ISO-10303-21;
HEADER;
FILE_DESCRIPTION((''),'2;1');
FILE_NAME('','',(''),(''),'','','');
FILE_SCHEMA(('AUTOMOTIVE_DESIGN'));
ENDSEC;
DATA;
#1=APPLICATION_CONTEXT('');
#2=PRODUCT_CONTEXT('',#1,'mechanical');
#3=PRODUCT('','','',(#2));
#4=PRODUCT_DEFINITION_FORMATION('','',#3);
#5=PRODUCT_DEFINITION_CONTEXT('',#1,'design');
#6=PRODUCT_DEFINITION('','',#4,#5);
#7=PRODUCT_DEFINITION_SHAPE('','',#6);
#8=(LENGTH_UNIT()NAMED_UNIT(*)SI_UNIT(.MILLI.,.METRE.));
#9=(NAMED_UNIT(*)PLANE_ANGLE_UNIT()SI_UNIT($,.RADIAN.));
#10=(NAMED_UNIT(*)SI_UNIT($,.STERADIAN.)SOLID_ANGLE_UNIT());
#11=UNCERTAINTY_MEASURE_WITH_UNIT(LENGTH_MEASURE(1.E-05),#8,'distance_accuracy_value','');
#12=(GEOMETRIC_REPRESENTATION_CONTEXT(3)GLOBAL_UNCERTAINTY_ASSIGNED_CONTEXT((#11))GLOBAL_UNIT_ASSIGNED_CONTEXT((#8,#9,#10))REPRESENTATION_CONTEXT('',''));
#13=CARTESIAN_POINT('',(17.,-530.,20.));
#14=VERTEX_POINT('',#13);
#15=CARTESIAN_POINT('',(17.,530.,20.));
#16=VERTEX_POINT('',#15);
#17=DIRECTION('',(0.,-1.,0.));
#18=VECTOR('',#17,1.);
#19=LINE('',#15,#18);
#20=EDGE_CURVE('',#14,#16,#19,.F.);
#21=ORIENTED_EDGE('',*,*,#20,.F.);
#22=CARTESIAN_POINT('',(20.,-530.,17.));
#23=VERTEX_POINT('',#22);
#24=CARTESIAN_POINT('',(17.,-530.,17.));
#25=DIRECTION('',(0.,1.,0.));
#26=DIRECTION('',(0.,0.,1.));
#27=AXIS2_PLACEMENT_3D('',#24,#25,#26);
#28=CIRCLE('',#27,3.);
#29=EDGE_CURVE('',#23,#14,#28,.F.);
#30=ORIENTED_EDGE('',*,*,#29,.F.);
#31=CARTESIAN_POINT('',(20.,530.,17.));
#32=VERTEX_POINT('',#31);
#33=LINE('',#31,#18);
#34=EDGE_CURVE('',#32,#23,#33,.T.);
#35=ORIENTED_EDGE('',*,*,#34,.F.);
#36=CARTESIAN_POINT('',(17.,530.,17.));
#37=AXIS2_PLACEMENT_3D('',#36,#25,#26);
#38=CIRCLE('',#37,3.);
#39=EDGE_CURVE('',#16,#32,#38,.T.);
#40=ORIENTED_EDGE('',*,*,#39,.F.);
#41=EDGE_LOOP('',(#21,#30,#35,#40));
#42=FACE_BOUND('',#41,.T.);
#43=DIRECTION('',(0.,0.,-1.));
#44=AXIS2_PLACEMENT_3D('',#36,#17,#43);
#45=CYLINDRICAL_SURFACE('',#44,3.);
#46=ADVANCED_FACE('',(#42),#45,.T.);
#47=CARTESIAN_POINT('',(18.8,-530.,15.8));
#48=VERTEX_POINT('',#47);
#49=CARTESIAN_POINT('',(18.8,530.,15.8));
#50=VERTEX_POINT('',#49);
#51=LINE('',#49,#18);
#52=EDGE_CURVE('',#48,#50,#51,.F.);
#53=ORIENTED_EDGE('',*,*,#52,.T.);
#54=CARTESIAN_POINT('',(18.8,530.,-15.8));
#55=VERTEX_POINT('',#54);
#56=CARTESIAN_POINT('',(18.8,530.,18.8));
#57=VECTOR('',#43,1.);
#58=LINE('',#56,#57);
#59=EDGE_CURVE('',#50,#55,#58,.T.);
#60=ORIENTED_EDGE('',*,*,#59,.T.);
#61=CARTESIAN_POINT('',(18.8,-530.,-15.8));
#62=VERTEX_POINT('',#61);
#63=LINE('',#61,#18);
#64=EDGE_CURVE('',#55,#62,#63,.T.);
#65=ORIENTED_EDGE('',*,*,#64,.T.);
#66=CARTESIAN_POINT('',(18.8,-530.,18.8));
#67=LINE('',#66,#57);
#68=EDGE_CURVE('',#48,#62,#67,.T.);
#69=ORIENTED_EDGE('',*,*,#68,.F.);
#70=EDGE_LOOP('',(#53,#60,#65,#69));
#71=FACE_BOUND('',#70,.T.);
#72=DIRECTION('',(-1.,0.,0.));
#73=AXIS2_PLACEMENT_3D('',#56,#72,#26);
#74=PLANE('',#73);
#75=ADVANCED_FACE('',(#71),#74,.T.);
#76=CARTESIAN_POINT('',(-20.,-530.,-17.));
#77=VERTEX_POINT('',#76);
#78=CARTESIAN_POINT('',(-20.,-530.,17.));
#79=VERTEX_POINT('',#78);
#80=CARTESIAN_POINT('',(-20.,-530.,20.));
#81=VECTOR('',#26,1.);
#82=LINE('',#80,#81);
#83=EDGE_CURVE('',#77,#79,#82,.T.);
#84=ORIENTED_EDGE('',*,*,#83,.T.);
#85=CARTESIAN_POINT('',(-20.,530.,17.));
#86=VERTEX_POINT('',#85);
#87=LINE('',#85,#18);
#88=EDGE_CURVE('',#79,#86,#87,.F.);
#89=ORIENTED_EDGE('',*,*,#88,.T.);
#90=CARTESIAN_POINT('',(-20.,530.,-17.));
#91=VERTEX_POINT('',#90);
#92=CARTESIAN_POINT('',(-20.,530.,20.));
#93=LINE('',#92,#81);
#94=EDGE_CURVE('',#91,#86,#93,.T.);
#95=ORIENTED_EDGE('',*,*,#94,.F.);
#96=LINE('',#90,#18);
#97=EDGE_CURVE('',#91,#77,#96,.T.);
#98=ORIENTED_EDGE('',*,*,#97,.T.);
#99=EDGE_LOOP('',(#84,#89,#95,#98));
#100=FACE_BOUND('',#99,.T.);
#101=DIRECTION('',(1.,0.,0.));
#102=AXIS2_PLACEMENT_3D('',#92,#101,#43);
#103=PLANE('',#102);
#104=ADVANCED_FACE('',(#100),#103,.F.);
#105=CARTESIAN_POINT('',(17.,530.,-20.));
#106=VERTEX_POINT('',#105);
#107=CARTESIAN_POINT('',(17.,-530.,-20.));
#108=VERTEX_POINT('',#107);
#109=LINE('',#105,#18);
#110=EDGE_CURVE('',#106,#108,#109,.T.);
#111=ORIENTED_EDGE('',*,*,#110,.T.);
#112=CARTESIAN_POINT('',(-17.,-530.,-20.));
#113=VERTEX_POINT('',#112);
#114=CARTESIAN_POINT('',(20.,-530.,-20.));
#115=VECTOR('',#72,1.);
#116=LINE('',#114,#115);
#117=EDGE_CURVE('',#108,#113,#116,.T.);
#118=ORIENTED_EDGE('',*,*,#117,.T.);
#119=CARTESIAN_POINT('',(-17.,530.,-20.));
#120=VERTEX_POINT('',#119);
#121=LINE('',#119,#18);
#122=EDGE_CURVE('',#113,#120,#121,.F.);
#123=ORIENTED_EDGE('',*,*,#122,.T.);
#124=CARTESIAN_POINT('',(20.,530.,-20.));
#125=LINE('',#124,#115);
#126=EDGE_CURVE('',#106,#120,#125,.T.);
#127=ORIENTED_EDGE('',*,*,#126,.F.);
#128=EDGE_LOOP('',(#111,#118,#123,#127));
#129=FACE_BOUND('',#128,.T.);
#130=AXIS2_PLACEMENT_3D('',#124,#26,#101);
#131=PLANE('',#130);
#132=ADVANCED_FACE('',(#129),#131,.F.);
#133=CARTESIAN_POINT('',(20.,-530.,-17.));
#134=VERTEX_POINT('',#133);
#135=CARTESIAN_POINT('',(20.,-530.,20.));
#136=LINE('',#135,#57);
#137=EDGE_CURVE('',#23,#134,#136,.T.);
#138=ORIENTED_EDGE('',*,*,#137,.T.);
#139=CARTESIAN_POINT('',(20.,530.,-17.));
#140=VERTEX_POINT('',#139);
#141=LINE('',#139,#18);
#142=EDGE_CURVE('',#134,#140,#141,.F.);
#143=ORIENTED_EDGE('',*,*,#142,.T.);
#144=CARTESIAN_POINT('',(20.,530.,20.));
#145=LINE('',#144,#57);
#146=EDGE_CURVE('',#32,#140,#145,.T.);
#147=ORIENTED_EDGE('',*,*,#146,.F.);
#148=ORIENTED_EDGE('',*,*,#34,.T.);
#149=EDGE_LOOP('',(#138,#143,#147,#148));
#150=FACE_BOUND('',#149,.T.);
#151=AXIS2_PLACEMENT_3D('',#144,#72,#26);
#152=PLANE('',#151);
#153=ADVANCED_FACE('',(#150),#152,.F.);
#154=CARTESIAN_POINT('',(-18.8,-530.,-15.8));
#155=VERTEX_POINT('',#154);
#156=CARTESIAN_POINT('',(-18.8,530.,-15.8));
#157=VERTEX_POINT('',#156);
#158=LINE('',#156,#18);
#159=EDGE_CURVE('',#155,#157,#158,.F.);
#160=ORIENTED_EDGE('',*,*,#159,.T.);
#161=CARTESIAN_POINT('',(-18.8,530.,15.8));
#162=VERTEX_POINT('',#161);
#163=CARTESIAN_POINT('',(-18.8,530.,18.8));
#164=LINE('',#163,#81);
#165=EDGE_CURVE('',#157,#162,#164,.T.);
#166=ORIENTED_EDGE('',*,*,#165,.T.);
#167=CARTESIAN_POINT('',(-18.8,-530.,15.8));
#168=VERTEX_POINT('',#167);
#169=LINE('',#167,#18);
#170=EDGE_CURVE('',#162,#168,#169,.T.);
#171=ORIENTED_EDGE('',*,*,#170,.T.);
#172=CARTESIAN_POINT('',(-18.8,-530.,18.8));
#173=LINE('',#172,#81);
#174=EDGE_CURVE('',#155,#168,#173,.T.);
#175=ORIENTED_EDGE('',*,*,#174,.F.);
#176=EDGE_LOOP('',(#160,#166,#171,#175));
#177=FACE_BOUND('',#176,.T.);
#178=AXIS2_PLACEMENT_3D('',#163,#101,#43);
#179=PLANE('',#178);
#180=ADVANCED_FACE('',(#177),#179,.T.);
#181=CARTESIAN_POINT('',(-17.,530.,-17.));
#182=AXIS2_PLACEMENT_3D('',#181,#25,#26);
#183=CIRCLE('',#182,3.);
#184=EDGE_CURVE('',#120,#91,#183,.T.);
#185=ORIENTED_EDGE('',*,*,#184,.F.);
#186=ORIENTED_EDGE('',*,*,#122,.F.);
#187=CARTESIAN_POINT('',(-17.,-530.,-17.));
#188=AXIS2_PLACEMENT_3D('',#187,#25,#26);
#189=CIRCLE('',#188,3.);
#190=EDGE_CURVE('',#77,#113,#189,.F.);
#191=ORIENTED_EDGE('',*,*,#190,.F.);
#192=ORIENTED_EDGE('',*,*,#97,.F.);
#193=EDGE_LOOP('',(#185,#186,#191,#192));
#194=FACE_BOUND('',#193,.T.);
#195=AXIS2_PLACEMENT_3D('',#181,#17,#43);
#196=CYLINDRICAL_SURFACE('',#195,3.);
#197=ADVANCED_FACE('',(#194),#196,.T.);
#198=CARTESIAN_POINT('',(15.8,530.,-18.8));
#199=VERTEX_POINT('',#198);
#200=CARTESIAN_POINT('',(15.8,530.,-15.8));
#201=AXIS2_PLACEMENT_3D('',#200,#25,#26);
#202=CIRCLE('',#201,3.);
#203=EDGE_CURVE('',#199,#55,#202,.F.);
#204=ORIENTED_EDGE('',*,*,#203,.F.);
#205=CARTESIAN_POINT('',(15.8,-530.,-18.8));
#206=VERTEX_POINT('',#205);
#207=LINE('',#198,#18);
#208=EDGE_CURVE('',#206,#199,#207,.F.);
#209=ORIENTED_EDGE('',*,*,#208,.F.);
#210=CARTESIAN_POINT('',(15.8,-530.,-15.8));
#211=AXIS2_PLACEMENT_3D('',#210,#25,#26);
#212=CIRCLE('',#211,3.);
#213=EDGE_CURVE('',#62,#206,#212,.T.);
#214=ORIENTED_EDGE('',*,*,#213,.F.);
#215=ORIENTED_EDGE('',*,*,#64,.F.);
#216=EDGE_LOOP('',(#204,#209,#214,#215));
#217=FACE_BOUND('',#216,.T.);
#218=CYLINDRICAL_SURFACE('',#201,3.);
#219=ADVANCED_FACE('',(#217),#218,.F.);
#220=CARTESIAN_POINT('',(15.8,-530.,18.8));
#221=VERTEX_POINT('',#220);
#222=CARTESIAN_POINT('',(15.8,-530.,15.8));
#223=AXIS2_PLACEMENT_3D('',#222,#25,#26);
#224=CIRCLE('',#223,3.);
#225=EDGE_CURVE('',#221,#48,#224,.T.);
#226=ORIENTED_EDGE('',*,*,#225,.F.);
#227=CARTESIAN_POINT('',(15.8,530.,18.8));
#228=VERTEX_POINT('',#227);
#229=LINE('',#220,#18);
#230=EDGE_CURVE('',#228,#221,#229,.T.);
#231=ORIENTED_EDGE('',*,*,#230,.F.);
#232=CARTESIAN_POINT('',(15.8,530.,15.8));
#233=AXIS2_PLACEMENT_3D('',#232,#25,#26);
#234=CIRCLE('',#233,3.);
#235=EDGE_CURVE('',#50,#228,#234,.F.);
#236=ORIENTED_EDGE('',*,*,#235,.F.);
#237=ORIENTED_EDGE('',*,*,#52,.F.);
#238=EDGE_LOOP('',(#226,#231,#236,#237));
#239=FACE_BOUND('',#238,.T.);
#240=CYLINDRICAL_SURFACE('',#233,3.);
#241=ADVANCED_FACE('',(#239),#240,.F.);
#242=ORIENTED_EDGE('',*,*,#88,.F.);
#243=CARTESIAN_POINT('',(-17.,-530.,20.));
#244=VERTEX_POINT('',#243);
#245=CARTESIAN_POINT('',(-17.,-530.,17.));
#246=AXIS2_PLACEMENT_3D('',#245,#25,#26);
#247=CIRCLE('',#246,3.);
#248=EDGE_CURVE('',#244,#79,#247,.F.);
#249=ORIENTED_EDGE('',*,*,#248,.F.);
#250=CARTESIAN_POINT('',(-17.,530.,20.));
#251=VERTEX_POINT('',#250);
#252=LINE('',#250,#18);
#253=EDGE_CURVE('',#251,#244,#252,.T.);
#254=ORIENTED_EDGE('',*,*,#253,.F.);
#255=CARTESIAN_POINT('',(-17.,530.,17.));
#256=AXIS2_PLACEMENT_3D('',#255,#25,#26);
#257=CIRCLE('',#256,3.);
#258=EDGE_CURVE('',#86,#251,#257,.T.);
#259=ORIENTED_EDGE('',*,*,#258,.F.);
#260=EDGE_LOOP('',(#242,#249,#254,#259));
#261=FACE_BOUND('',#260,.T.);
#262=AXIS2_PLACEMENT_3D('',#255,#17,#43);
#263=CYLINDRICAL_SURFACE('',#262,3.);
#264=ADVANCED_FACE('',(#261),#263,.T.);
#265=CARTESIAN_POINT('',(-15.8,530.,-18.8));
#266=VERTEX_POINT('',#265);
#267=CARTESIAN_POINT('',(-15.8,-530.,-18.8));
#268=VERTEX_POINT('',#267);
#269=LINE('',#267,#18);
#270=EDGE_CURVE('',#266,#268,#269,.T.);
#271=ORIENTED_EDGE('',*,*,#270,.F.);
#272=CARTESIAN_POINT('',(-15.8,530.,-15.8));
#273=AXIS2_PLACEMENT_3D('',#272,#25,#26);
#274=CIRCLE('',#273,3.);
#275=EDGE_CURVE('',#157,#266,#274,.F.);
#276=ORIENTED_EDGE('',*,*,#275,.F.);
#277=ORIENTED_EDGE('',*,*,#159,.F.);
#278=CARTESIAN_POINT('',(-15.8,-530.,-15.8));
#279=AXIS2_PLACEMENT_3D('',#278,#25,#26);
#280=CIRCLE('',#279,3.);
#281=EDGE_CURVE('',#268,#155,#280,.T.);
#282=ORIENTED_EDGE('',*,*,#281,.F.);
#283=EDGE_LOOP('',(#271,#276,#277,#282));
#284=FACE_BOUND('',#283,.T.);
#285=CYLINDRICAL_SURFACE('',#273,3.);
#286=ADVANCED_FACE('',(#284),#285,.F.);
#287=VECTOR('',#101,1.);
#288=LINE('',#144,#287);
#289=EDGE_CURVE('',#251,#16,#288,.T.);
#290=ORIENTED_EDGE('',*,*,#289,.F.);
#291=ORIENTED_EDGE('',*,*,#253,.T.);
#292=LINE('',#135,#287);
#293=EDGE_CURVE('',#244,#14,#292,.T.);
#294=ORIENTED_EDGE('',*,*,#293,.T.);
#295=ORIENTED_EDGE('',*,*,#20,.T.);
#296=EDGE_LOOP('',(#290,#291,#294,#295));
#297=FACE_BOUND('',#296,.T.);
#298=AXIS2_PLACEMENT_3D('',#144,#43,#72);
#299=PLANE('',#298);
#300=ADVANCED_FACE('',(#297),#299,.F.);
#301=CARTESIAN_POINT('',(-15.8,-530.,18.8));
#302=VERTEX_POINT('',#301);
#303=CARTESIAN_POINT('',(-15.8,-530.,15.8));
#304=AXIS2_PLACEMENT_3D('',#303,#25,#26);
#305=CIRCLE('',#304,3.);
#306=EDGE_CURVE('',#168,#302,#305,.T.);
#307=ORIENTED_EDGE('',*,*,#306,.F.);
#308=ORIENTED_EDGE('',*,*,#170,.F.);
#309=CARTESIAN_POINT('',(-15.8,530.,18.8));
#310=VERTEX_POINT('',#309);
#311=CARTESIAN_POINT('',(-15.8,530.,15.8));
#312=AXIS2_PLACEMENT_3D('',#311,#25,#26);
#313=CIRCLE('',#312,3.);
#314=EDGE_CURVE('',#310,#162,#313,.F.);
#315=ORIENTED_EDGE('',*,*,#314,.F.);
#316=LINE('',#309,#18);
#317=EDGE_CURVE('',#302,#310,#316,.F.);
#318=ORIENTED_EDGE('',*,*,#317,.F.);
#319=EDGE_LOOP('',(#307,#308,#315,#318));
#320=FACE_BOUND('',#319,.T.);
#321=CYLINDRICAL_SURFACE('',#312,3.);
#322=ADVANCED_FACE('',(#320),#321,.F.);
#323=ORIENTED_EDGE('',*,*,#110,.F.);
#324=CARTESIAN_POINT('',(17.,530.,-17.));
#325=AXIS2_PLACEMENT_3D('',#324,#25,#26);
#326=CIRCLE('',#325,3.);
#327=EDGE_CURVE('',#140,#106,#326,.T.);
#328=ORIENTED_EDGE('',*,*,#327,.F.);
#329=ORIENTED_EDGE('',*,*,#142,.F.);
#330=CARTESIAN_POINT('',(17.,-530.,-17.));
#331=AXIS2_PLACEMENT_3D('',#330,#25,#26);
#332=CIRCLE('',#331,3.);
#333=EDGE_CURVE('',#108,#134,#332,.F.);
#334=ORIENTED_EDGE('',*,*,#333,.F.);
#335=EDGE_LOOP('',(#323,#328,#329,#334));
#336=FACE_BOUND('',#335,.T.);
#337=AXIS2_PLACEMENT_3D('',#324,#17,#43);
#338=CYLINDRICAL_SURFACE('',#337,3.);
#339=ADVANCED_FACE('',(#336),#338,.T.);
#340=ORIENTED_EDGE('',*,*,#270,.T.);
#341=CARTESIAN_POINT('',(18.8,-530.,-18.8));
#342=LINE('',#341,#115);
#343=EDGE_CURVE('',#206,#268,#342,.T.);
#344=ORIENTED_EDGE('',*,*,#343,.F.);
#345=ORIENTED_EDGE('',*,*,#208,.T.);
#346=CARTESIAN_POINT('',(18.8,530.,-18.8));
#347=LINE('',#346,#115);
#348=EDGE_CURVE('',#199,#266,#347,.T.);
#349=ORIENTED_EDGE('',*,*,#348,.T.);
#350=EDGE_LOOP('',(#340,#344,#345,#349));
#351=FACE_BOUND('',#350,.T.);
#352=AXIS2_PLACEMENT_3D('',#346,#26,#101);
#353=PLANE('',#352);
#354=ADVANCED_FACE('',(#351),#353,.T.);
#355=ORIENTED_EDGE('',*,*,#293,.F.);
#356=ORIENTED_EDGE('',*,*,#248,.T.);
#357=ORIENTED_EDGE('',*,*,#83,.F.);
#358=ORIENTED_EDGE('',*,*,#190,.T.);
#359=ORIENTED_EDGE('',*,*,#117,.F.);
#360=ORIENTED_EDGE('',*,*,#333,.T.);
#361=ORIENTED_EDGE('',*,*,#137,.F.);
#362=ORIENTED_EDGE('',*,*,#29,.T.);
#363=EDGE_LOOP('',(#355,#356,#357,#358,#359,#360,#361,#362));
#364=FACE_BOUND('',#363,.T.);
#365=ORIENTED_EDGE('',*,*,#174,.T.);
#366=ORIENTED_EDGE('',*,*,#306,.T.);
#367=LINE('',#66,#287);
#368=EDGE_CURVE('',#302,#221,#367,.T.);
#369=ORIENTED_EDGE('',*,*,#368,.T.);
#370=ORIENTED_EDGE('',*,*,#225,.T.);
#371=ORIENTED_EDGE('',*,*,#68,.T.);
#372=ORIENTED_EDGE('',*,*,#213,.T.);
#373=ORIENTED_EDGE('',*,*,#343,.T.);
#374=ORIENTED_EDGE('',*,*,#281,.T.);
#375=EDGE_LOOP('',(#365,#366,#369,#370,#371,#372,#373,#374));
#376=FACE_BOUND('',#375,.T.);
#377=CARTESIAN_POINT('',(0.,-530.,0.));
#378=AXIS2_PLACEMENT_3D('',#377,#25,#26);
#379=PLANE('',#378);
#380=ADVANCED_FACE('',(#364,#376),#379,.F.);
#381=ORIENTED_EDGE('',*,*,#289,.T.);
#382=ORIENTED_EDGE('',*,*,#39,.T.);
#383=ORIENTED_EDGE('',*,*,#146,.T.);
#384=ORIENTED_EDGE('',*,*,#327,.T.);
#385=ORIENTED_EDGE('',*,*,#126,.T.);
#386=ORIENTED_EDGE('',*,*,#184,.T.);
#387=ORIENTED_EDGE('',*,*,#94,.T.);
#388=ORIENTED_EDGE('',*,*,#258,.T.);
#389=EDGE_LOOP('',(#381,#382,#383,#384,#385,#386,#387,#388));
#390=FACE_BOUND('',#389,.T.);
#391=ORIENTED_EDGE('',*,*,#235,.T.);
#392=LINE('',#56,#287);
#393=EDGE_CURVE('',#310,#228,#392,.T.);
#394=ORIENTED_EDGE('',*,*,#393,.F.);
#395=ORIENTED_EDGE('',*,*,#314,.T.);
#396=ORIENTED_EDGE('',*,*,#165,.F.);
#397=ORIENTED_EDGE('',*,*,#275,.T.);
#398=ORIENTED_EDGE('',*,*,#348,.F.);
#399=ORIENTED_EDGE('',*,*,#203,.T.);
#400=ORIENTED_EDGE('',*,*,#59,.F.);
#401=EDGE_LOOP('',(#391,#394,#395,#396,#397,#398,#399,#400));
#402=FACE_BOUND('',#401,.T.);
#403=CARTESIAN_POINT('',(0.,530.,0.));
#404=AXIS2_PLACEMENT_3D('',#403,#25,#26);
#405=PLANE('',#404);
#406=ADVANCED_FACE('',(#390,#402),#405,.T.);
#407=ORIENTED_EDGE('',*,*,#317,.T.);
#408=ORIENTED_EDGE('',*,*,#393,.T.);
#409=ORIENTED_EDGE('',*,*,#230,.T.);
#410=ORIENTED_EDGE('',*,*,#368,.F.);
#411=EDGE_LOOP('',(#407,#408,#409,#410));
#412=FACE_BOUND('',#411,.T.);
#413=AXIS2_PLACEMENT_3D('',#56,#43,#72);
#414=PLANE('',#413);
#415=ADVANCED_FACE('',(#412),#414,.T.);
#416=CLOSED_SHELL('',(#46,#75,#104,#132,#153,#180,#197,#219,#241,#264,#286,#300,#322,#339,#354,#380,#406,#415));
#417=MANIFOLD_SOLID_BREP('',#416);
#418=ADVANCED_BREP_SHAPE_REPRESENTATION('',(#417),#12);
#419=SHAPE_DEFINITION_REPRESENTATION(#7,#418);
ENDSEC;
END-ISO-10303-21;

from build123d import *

# Parameters (mm, degrees)
ESBO_O1_W                = 40
ESBO_O1_H                = 40
ESBO_O1_W_2              = 37.6
ESBO_O1_H_2              = 37.6
RESSALTO_EXTRUS_O1_DEPTH = 530
FILETE1_R                = 3


with BuildPart() as part:
    # Esboço1 → Ressalto-extrusão1 (new, symmetric)
    with BuildSketch(Plane(origin=(0, 0, 0), x_dir=(1, 0, 0), z_dir=(0, 1, 0))):
        Rectangle(ESBO_O1_W, ESBO_O1_H)
        Rectangle(ESBO_O1_W_2, ESBO_O1_H_2, mode=Mode.SUBTRACT)
    extrude(amount=RESSALTO_EXTRUS_O1_DEPTH, both=True)

    # Filete1
    filete1_edges = [part.edges().sort_by_distance(p)[0] for p in [
        (-18.8, 0, 18.8),
        (18.8, 0, 18.8),
        (18.8, 0, -18.8),
        (-18.8, 0, -18.8),
        (-20, 0, -20),
        (20, 0, -20),
        (20, 0, 20),
        (-20, 0, 20),
    ]]
    fillet(filete1_edges, radius=FILETE1_R)


solid = part.part
